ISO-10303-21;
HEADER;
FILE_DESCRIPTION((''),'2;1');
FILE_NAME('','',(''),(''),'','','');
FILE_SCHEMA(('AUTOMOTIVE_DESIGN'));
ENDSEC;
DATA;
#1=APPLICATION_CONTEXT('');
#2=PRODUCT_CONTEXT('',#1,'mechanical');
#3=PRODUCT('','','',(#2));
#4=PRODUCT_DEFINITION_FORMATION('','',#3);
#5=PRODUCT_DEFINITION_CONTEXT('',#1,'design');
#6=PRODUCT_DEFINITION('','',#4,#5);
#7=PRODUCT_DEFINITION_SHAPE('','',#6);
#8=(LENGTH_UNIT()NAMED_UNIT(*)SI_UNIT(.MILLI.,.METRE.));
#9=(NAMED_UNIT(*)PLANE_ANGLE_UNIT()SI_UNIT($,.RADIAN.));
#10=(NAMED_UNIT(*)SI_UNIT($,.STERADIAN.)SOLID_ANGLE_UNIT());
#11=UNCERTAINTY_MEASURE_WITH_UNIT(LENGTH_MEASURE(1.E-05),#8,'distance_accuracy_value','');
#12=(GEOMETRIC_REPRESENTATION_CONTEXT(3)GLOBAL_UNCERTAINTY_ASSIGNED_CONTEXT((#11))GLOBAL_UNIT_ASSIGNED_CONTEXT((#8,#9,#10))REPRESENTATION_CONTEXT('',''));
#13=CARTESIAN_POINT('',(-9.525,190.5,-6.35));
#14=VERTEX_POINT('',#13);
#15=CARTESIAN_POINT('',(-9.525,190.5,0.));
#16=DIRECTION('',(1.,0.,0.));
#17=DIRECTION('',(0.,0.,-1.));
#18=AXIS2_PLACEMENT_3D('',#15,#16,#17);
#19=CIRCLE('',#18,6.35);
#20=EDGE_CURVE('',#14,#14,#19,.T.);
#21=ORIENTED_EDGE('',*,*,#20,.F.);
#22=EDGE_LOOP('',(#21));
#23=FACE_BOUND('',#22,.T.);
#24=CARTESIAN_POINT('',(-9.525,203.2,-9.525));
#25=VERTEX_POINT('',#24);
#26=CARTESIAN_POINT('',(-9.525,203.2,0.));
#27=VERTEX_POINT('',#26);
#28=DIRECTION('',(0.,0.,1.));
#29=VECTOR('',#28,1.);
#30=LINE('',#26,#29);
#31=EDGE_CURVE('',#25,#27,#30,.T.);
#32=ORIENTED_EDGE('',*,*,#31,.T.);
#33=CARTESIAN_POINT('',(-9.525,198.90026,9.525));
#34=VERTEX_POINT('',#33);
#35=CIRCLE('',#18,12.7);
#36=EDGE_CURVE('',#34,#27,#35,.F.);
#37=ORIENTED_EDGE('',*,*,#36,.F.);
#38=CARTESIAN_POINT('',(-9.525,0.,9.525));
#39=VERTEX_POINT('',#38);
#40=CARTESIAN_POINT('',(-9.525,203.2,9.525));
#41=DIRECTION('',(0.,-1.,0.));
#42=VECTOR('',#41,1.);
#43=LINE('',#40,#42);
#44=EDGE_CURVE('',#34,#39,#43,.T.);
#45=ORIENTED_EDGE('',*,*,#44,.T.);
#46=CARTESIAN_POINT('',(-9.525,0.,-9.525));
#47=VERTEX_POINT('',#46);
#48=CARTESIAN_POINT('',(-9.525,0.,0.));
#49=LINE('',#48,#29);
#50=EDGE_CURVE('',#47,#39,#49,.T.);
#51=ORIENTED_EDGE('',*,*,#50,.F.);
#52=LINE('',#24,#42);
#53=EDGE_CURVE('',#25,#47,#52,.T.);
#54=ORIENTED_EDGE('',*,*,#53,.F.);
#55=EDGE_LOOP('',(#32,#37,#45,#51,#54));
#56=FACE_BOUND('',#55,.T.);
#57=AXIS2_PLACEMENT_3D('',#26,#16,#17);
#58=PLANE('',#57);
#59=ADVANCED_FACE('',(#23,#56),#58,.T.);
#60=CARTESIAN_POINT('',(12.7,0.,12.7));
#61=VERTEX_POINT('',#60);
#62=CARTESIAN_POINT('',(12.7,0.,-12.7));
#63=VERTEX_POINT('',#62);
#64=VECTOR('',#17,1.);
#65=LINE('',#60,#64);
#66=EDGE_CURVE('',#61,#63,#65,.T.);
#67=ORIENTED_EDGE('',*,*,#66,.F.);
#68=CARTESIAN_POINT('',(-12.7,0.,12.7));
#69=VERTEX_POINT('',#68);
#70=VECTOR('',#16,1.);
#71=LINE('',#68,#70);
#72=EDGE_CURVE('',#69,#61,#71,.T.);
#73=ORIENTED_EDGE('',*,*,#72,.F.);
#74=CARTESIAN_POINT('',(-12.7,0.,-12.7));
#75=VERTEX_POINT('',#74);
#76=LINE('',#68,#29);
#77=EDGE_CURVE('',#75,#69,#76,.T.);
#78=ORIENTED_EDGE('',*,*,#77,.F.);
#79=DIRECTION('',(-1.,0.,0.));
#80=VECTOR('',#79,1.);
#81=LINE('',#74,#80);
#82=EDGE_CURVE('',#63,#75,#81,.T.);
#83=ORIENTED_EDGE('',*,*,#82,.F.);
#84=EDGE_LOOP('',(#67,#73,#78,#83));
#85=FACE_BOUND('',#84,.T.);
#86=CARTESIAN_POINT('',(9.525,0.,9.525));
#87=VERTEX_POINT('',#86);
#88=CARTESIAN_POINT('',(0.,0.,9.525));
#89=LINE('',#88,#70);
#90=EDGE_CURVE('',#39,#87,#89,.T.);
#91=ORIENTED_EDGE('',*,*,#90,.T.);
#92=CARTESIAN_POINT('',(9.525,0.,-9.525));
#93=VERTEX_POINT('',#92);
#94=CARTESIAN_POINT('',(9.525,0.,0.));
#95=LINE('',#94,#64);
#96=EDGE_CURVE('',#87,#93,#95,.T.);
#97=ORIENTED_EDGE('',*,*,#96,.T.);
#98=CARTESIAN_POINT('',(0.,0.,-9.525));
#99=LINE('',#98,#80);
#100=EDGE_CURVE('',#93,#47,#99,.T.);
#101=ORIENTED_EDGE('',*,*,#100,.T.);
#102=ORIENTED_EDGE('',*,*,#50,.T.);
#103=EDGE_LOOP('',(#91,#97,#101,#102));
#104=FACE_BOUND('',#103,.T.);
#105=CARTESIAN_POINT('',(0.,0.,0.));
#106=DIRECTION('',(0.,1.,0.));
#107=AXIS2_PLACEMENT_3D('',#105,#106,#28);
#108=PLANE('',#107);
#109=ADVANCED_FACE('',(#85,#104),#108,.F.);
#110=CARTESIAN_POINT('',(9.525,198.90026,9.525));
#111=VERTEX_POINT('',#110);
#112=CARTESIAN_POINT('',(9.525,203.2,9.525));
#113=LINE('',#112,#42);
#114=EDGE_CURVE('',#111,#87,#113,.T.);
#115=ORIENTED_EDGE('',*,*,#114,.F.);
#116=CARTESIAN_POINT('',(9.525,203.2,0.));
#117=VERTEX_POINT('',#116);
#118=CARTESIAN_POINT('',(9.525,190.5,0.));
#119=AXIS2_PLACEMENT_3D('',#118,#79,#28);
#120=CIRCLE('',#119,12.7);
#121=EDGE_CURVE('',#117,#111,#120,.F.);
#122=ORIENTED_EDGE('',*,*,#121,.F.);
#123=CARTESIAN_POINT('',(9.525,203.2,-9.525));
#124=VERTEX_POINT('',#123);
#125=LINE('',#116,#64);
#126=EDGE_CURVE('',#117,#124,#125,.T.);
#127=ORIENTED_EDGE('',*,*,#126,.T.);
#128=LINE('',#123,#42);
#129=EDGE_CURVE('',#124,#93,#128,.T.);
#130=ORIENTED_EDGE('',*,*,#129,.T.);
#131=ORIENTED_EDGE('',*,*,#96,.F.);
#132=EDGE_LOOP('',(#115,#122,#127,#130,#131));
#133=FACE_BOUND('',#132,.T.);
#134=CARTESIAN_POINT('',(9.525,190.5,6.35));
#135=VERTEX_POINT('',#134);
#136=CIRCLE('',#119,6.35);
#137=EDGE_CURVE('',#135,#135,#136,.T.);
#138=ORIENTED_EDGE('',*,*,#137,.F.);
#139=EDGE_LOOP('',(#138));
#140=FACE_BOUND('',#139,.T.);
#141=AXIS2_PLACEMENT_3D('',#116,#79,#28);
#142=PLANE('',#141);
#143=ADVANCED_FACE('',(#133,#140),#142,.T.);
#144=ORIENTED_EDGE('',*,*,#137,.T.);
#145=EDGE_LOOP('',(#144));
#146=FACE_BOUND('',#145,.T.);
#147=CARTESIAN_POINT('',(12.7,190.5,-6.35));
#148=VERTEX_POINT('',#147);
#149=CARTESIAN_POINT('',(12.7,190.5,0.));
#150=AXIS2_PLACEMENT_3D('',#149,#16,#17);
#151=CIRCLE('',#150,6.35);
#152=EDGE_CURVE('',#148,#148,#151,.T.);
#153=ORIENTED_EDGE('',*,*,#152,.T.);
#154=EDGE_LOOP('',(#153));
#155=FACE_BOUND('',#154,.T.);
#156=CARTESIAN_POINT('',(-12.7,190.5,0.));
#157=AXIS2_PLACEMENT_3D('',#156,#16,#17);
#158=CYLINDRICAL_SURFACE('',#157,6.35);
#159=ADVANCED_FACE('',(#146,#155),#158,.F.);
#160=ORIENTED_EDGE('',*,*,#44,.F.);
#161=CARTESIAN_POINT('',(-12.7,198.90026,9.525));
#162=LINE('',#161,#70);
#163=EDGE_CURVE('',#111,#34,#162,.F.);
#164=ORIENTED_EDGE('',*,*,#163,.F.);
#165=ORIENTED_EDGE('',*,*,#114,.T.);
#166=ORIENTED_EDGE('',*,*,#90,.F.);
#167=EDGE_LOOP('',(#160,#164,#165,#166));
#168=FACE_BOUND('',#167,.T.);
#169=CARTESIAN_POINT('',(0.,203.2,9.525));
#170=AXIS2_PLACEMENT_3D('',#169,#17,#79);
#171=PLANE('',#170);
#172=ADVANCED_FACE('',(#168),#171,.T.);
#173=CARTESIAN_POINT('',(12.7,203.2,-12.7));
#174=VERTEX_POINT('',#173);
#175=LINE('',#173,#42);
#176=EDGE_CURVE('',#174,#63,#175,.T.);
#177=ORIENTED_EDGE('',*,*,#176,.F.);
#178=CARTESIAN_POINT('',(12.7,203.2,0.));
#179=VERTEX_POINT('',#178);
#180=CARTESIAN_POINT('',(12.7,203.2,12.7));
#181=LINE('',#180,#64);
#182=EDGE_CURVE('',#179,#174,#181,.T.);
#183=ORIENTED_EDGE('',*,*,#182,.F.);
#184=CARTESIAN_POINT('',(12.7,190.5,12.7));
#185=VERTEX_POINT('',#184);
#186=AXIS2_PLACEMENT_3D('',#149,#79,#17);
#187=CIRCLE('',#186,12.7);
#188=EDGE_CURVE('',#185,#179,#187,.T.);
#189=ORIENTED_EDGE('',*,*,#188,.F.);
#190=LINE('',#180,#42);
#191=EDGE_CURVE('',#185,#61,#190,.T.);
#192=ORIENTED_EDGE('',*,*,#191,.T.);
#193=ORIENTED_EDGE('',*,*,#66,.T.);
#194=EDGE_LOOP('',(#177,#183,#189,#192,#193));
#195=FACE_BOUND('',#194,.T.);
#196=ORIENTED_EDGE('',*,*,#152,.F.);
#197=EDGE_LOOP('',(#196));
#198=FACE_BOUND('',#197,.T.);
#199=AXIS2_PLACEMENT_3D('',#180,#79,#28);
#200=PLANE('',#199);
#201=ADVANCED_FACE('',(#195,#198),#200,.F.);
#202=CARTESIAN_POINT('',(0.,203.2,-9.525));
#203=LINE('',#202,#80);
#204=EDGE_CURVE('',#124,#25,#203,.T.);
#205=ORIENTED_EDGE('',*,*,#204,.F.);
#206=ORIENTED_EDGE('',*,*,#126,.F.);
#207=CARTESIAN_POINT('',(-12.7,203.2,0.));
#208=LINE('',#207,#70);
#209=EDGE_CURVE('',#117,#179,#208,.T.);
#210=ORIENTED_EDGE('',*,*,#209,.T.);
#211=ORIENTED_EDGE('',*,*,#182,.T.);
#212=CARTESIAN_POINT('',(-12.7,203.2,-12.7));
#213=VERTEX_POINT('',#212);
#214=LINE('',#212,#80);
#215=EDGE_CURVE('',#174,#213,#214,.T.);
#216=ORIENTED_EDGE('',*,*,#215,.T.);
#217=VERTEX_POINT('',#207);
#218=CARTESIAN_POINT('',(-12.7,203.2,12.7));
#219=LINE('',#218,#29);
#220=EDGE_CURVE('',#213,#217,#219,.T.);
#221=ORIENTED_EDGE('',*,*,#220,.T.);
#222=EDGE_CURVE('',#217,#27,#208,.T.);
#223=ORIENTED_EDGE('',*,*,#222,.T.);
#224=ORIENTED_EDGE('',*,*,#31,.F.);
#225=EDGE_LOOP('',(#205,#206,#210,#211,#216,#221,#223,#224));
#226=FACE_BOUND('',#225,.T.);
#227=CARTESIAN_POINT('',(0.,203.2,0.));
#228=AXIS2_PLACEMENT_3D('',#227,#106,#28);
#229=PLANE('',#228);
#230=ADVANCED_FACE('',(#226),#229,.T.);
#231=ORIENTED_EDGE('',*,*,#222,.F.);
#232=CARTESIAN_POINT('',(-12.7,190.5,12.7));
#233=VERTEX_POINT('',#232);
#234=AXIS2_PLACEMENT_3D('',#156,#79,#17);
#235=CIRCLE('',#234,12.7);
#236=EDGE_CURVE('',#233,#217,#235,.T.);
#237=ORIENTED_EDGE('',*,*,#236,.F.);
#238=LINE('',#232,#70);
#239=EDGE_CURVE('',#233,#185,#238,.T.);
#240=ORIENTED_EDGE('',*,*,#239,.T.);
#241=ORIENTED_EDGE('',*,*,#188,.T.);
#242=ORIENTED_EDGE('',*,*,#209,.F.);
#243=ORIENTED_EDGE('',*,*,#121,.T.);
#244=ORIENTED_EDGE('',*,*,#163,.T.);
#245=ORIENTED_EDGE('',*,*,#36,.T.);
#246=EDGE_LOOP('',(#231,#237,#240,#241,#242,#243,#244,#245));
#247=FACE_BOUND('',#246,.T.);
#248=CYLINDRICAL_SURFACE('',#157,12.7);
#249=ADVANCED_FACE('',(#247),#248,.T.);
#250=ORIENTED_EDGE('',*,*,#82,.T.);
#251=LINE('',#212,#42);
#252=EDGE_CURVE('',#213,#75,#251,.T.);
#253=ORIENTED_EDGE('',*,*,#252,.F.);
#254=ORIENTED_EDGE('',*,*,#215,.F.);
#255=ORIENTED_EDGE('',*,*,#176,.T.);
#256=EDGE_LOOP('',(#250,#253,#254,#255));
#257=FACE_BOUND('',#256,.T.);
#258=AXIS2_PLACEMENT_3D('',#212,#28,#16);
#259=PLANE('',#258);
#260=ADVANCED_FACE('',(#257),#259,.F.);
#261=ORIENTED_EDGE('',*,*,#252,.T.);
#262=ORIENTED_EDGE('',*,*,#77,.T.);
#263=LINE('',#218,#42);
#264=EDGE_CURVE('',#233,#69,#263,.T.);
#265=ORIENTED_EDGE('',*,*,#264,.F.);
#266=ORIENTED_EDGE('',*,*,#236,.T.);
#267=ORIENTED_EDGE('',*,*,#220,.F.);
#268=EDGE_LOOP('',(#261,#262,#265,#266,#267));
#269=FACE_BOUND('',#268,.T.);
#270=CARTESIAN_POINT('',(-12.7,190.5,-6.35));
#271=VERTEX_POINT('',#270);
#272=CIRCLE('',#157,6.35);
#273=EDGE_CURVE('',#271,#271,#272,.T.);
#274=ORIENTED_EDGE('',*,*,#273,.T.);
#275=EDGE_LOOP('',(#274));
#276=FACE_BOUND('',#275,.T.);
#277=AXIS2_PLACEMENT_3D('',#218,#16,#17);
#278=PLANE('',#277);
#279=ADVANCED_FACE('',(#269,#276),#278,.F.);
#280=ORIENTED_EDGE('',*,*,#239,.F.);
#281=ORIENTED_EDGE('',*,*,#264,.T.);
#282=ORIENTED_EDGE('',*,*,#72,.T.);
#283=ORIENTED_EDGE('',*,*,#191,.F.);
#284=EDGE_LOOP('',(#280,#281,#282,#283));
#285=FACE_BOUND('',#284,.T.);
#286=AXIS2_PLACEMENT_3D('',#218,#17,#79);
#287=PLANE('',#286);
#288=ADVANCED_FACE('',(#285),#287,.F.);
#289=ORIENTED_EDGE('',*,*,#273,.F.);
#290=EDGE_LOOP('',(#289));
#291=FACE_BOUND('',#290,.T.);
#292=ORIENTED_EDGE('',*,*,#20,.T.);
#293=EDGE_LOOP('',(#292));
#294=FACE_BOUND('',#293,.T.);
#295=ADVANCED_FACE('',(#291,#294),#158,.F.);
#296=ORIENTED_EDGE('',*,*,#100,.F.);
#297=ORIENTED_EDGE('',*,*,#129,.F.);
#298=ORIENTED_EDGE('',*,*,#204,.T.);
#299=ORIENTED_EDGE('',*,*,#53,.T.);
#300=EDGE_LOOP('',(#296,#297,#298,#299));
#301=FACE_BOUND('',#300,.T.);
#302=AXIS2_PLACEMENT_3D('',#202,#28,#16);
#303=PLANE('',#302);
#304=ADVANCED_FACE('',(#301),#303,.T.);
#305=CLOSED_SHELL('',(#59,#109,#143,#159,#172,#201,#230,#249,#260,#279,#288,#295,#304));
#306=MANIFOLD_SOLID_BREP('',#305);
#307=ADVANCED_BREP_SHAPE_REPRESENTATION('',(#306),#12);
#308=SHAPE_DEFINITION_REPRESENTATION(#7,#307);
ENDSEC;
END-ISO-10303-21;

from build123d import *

# Parameters (mm, degrees)
SKETCH1_W           = 25.4
SKETCH1_H           = 25.4
SKETCH1_W_2         = 19.05
SKETCH1_H_2         = 19.05
EXTRUDE_THIN1_DEPTH = 203.2
SKETCH2_R           = 6.35
CUT_EXTRUDE1_DEPTH  = 206.174779152
CUT_EXTRUDE3_DEPTH  = 206.174779152


with BuildPart() as part:
    # Sketch1 → Extrude-Thin1 (new body)
    with BuildSketch(Plane(origin=(0, 0, 0), x_dir=(1, 0, 0), z_dir=(0, 1, 0))):
        Rectangle(SKETCH1_W, SKETCH1_H)
        Rectangle(SKETCH1_W_2, SKETCH1_H_2, mode=Mode.SUBTRACT)
    extrude(amount=EXTRUDE_THIN1_DEPTH)

    # Sketch2 → Cut-Extrude1 (cut, through all)
    with BuildSketch(Plane(origin=(12.7, 0, 0), x_dir=(0, 0, -1), z_dir=(1, 0, 0))):
        with Locations((0, 190.5)):
            Circle(SKETCH2_R)
    extrude(amount=-CUT_EXTRUDE1_DEPTH, mode=Mode.SUBTRACT)

    # Sketch4 → Cut-Extrude3 (cut, through all)
    with BuildSketch(Plane(origin=(12.7, 0, 0), x_dir=(0, 0, -1), z_dir=(1, 0, 0))):
        with BuildLine():
            Line((-12.7, 190.5), (-12.7, 203.2))
            Line((-12.7, 203.2), (0, 203.2))
            ThreePointArc((0, 203.2), (-8.980256121, 199.480256121), (-12.7, 190.5))
        make_face()
    extrude(amount=-CUT_EXTRUDE3_DEPTH, mode=Mode.SUBTRACT)


solid = part.part
